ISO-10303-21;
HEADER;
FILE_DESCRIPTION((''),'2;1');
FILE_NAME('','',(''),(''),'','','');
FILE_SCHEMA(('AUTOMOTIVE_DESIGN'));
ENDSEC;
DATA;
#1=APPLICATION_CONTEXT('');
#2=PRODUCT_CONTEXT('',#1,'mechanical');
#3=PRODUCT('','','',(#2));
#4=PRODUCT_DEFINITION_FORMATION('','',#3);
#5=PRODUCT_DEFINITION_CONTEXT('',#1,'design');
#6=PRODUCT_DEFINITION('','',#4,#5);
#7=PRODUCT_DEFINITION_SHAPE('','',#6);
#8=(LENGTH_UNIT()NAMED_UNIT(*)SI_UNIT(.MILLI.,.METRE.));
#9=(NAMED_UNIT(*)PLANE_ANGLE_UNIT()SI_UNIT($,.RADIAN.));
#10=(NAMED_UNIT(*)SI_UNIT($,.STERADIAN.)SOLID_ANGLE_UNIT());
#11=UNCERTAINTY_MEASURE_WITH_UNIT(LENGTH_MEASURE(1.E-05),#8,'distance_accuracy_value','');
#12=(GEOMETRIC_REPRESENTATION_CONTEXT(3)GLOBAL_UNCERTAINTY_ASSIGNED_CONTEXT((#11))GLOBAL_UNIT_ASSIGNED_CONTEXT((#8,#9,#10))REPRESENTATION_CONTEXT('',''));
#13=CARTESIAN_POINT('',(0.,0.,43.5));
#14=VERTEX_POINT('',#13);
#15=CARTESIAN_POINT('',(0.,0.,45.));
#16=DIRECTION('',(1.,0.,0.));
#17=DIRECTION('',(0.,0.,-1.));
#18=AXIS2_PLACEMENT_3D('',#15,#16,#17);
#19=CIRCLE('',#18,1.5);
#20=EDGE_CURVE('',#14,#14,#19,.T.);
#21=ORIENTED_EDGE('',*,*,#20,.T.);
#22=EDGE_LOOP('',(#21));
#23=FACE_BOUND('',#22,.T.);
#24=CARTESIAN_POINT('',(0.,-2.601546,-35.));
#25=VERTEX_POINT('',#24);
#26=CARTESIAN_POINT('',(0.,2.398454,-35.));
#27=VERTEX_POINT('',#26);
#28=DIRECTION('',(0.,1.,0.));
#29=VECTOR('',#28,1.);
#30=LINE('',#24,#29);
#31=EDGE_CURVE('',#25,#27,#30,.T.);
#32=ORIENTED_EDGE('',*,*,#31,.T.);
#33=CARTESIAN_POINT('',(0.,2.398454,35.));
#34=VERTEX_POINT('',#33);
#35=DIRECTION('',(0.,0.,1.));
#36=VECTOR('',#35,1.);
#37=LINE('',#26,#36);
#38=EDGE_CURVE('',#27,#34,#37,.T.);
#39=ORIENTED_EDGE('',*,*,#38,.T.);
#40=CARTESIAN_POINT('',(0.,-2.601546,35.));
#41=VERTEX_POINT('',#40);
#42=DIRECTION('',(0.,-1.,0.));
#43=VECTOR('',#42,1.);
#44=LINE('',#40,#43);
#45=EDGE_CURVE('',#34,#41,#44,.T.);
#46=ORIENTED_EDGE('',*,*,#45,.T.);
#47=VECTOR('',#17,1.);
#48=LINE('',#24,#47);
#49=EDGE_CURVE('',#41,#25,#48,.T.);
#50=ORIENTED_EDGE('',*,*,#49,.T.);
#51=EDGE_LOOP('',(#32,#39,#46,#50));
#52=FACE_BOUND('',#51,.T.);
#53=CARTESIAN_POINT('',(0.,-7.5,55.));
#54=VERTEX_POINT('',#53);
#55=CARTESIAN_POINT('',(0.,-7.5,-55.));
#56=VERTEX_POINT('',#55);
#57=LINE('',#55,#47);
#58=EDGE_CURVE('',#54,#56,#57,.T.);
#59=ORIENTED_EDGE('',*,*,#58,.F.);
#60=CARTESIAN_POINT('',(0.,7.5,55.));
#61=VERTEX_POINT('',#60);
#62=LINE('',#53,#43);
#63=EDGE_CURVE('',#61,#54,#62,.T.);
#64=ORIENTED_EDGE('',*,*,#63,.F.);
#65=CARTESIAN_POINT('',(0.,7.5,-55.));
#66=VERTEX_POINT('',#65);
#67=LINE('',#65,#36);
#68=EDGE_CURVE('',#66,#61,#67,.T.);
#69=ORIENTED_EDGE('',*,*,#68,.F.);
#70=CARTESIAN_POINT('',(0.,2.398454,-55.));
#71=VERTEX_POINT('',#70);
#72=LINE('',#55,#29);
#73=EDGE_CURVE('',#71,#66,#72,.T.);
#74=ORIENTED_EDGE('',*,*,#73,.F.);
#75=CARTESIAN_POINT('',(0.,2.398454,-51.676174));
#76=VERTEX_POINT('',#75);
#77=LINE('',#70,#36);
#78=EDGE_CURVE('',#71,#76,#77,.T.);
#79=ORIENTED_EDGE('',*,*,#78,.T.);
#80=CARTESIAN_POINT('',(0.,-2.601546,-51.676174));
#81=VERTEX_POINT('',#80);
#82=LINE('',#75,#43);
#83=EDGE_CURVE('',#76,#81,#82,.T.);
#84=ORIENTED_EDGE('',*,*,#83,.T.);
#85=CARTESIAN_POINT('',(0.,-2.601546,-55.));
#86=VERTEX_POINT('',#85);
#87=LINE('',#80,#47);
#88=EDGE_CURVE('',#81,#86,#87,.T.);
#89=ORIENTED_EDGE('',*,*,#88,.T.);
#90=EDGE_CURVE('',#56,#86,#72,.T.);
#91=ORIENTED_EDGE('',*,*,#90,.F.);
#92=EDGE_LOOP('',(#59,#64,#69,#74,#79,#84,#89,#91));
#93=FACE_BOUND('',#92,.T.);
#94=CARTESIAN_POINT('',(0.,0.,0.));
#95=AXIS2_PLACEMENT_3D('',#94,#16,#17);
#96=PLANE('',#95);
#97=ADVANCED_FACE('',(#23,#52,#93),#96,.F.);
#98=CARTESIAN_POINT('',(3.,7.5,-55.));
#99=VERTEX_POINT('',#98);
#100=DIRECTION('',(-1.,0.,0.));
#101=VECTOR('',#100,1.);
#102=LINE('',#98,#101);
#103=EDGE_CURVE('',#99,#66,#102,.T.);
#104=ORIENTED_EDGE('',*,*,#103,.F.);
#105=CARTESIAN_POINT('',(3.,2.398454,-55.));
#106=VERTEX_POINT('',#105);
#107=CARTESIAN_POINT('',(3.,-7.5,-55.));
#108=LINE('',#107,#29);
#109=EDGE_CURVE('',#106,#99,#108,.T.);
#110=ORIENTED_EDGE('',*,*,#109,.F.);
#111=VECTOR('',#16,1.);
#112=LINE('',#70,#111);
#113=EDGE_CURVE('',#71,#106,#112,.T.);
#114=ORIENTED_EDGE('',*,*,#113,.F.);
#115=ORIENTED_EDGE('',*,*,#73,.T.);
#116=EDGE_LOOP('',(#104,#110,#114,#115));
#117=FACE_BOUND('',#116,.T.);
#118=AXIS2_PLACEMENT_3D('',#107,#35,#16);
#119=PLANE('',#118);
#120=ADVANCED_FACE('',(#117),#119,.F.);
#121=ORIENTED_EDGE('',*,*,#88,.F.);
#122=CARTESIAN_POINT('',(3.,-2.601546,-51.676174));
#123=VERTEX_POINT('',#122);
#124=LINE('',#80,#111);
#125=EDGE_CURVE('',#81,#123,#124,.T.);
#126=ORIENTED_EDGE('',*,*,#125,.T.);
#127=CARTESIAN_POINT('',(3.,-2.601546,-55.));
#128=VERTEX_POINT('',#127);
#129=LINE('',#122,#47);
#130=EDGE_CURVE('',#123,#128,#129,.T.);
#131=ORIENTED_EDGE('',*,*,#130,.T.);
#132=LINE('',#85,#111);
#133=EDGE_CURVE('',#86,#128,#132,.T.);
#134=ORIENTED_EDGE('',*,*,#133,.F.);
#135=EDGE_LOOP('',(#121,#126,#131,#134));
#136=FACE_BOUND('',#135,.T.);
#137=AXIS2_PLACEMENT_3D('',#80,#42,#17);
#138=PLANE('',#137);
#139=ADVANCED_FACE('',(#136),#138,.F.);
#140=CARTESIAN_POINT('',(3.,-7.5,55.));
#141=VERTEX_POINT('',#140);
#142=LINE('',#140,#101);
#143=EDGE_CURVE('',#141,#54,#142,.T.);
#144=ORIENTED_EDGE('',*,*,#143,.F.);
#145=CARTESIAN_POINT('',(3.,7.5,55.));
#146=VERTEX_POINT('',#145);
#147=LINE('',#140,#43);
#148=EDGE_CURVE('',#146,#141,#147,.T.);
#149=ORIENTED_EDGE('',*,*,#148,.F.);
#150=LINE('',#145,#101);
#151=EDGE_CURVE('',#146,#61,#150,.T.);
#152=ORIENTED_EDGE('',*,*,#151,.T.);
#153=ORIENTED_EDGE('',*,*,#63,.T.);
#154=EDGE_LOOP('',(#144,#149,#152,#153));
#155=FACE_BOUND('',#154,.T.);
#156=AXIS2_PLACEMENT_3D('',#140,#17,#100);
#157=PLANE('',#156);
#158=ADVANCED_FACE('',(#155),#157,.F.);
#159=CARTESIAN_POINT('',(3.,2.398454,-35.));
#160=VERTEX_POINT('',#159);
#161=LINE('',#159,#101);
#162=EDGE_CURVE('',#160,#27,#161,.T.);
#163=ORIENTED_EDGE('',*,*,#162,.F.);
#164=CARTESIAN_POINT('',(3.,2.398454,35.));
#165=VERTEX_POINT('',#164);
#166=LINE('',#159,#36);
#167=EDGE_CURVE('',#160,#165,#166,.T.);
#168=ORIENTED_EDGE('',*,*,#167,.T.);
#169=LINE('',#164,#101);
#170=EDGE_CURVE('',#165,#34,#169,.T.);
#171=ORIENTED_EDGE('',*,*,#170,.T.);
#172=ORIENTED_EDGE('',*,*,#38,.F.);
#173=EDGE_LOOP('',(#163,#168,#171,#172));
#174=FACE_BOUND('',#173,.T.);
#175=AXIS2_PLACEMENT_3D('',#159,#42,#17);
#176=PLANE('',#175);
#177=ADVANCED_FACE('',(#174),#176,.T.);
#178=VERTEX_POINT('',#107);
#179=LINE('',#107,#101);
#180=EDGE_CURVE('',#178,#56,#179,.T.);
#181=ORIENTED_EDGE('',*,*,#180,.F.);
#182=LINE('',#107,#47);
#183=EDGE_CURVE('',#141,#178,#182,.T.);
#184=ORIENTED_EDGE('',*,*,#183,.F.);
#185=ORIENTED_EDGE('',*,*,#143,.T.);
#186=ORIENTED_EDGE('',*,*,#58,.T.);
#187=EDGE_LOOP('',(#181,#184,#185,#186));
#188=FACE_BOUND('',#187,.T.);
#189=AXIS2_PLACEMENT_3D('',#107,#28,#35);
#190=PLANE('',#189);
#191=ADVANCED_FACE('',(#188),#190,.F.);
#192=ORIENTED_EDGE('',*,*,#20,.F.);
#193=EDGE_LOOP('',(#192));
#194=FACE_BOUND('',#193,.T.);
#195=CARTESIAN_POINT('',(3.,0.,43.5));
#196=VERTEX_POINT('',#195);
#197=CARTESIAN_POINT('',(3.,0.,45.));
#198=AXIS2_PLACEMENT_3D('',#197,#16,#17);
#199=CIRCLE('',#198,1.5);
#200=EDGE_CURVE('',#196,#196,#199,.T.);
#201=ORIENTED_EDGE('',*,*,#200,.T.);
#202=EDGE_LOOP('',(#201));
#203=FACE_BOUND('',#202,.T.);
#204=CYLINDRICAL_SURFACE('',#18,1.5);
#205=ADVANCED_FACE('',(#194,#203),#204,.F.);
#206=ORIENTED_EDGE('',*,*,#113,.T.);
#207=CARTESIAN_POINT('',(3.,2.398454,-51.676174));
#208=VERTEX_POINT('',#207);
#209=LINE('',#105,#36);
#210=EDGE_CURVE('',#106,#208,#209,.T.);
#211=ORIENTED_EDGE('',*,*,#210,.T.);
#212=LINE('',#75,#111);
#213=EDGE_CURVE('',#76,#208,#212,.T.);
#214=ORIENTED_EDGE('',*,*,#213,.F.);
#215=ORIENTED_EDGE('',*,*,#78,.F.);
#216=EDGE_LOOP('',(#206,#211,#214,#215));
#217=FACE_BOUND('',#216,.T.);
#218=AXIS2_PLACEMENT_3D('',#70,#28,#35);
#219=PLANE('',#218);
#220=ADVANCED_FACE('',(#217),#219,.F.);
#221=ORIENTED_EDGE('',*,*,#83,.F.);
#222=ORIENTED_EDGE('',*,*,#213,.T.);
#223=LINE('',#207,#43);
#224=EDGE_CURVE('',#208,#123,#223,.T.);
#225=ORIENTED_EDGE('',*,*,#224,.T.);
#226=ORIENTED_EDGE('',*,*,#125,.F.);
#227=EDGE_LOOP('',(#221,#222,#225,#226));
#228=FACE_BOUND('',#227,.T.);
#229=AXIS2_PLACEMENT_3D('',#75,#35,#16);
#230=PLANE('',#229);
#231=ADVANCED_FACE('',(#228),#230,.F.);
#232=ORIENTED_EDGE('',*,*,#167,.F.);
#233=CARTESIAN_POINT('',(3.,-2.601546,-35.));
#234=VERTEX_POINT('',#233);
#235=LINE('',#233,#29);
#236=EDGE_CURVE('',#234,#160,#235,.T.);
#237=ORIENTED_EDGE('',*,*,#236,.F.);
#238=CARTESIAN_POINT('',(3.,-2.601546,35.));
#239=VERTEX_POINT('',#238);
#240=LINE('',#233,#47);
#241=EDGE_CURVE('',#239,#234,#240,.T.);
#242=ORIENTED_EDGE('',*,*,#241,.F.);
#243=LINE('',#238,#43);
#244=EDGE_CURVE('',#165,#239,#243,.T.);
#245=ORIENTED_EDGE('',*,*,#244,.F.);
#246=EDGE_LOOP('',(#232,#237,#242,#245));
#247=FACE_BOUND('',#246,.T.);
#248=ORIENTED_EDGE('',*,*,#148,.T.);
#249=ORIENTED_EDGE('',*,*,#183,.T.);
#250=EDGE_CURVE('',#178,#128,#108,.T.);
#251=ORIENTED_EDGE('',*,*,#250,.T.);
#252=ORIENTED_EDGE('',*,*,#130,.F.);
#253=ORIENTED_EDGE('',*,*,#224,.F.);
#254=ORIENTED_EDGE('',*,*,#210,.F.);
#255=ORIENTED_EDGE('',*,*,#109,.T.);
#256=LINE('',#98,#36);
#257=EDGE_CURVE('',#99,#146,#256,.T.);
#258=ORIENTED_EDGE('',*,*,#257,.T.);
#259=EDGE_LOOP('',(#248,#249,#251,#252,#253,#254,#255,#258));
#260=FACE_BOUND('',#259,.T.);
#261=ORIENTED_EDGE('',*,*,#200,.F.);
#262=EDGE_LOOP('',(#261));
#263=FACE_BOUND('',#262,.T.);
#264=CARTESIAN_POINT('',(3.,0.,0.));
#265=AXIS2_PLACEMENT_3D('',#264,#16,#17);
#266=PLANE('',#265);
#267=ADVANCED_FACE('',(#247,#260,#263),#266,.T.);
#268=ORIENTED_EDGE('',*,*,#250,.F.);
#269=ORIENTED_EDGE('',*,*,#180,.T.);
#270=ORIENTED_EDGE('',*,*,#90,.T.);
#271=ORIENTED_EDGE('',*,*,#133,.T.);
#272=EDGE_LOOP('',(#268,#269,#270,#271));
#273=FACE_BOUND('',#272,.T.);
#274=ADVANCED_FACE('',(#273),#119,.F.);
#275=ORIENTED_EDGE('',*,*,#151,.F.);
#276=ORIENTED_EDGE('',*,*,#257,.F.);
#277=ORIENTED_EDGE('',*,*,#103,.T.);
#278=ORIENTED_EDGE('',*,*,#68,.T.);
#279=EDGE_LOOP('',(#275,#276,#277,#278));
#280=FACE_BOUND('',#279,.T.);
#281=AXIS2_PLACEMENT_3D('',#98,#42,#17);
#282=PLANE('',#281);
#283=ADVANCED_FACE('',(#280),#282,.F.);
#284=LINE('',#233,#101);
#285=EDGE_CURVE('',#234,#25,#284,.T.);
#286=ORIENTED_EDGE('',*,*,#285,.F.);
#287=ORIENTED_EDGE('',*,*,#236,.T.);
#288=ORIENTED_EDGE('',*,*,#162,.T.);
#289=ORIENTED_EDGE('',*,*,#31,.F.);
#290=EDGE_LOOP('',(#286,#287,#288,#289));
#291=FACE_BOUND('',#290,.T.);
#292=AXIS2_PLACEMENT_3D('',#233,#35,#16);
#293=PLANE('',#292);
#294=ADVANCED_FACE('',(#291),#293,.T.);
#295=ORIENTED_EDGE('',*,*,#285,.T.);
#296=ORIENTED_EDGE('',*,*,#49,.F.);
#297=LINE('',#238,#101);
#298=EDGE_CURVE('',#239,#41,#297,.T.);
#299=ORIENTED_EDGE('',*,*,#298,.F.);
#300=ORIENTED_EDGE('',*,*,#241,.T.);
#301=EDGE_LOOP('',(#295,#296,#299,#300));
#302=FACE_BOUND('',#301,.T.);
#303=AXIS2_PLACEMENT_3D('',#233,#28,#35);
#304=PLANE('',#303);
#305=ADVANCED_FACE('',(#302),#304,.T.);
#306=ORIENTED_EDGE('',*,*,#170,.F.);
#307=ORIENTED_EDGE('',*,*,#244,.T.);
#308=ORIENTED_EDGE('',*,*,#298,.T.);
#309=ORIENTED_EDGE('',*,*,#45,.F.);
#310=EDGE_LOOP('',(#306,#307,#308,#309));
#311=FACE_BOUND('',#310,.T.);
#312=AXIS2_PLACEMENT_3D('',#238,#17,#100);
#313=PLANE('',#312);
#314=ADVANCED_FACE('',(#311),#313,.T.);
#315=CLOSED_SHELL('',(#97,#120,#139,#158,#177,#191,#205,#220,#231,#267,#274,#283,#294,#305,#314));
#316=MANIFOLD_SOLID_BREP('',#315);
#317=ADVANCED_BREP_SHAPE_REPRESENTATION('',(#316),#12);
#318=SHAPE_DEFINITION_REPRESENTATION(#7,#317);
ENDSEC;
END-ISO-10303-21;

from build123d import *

# Parameters (mm, degrees)
SKETCH1_W           = 110
SKETCH1_H           = 15
SKETCH1_W_2         = 70
SKETCH1_H_2         = 5
BOSS_EXTRUDE1_DEPTH = 3
SKETCH2_R           = 1.5
SKETCH2_W           = 3.323826254
SKETCH2_H           = 5
CUT_EXTRUDE1_DEPTH  = 56.590017089


with BuildPart() as part:
    # Sketch1 → Boss-Extrude1 (new body)
    with BuildSketch(Plane(origin=(0, 0, 0), x_dir=(0, 0, -1), z_dir=(1, 0, 0))):
        Rectangle(SKETCH1_W, SKETCH1_H)
        with Locations((0, -0.10154628)):
            Rectangle(SKETCH1_W_2, SKETCH1_H_2, mode=Mode.SUBTRACT)
    extrude(amount=BOSS_EXTRUDE1_DEPTH)

    # Sketch2 → Cut-Extrude1 (cut, through all)
    with BuildSketch(Plane(origin=(3, 0, 0), x_dir=(0, 0, -1), z_dir=(1, 0, 0))):
        with Locations((-45, 0)):
            Circle(SKETCH2_R)
        with Locations((53.338086873, -0.10154628)):
            Rectangle(SKETCH2_W, SKETCH2_H)
    extrude(amount=-CUT_EXTRUDE1_DEPTH, mode=Mode.SUBTRACT)


solid = part.part
